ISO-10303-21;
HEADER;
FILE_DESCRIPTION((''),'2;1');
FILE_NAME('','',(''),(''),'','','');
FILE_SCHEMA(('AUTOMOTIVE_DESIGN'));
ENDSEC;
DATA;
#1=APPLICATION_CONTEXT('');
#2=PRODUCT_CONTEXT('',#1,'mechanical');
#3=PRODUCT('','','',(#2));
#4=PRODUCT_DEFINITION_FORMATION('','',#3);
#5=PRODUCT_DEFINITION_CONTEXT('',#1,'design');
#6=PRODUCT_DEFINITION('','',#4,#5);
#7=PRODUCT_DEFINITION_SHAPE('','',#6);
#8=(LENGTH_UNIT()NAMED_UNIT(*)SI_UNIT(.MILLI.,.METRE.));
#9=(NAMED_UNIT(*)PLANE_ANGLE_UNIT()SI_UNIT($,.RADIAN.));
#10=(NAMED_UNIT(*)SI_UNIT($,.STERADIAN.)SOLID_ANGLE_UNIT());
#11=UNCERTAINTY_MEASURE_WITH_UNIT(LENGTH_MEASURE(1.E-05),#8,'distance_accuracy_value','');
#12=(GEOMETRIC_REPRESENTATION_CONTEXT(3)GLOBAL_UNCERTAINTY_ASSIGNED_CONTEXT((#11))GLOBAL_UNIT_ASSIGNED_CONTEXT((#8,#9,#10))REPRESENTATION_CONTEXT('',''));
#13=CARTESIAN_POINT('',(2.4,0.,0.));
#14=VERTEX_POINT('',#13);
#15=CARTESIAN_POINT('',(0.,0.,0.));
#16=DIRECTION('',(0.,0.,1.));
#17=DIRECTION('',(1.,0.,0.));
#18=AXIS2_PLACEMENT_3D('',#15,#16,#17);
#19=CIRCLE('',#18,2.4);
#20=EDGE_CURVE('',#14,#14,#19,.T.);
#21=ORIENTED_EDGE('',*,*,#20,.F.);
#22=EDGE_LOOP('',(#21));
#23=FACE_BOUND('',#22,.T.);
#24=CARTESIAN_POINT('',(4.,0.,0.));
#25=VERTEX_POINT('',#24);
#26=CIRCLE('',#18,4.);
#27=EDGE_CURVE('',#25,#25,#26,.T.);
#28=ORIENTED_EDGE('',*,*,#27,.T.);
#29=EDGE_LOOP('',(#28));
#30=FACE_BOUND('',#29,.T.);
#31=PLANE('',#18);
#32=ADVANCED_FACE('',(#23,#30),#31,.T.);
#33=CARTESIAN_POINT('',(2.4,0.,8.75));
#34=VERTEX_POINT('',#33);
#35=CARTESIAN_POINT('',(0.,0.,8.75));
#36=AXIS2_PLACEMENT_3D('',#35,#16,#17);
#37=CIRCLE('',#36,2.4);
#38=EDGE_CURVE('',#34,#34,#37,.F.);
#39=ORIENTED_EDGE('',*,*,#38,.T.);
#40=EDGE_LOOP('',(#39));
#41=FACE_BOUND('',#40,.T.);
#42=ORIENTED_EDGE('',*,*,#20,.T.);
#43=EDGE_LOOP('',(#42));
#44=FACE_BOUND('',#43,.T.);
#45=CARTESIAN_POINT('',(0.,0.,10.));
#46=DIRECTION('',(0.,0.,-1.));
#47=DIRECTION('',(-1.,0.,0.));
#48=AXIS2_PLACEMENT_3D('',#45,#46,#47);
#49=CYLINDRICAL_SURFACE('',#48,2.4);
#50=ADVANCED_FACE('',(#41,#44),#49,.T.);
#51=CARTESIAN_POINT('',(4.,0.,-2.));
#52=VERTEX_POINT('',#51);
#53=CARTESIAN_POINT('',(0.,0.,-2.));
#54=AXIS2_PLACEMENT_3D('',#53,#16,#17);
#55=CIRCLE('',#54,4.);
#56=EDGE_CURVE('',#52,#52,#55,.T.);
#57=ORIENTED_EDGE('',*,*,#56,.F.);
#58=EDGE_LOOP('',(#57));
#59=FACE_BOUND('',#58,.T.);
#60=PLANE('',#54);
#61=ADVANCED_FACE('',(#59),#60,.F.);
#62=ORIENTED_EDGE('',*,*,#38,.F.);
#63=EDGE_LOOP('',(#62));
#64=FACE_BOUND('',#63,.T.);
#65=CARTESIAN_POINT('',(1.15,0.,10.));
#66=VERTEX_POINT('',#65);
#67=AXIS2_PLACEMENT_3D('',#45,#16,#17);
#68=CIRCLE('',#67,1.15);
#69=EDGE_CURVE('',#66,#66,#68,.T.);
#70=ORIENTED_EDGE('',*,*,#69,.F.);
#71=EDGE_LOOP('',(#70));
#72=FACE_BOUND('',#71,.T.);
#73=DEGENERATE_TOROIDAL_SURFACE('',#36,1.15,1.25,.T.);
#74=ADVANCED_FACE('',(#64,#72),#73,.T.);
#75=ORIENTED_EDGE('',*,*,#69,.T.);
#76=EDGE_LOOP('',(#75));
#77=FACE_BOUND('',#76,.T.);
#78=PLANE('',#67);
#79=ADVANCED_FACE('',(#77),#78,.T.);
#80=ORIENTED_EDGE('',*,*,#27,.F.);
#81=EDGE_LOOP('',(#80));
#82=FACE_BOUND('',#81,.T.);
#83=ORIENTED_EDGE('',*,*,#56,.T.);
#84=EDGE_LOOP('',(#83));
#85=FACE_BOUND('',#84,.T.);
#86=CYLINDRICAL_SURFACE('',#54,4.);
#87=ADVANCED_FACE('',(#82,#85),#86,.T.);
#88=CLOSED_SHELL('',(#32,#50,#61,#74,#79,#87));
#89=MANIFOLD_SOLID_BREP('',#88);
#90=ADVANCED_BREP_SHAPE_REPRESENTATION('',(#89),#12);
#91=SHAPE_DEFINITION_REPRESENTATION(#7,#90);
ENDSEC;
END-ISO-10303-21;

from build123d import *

# Parameters (mm, degrees)
BASE_SKETCH_R      = 4
BASE_EXTRUDE_DEPTH = 2
SKETCH2_R          = 2.4
TOP_EXTRUDE_DEPTH  = 10
TOP_FILLET_R       = 1.25


with BuildPart() as part:
    # Base Sketch → Base Extrude (new body)
    with BuildSketch(Plane.XY):
        Circle(BASE_SKETCH_R)
    extrude(amount=-BASE_EXTRUDE_DEPTH)

    # Sketch2 → Top Extrude (add)
    with BuildSketch(Plane.XY):
        Circle(SKETCH2_R)
    extrude(amount=TOP_EXTRUDE_DEPTH)

    # Top Fillet
    top_fillet_edges = [part.edges().sort_by_distance(p)[0] for p in [
        (-2.4, 0, 10),
    ]]
    fillet(top_fillet_edges, radius=TOP_FILLET_R)


solid = part.part
